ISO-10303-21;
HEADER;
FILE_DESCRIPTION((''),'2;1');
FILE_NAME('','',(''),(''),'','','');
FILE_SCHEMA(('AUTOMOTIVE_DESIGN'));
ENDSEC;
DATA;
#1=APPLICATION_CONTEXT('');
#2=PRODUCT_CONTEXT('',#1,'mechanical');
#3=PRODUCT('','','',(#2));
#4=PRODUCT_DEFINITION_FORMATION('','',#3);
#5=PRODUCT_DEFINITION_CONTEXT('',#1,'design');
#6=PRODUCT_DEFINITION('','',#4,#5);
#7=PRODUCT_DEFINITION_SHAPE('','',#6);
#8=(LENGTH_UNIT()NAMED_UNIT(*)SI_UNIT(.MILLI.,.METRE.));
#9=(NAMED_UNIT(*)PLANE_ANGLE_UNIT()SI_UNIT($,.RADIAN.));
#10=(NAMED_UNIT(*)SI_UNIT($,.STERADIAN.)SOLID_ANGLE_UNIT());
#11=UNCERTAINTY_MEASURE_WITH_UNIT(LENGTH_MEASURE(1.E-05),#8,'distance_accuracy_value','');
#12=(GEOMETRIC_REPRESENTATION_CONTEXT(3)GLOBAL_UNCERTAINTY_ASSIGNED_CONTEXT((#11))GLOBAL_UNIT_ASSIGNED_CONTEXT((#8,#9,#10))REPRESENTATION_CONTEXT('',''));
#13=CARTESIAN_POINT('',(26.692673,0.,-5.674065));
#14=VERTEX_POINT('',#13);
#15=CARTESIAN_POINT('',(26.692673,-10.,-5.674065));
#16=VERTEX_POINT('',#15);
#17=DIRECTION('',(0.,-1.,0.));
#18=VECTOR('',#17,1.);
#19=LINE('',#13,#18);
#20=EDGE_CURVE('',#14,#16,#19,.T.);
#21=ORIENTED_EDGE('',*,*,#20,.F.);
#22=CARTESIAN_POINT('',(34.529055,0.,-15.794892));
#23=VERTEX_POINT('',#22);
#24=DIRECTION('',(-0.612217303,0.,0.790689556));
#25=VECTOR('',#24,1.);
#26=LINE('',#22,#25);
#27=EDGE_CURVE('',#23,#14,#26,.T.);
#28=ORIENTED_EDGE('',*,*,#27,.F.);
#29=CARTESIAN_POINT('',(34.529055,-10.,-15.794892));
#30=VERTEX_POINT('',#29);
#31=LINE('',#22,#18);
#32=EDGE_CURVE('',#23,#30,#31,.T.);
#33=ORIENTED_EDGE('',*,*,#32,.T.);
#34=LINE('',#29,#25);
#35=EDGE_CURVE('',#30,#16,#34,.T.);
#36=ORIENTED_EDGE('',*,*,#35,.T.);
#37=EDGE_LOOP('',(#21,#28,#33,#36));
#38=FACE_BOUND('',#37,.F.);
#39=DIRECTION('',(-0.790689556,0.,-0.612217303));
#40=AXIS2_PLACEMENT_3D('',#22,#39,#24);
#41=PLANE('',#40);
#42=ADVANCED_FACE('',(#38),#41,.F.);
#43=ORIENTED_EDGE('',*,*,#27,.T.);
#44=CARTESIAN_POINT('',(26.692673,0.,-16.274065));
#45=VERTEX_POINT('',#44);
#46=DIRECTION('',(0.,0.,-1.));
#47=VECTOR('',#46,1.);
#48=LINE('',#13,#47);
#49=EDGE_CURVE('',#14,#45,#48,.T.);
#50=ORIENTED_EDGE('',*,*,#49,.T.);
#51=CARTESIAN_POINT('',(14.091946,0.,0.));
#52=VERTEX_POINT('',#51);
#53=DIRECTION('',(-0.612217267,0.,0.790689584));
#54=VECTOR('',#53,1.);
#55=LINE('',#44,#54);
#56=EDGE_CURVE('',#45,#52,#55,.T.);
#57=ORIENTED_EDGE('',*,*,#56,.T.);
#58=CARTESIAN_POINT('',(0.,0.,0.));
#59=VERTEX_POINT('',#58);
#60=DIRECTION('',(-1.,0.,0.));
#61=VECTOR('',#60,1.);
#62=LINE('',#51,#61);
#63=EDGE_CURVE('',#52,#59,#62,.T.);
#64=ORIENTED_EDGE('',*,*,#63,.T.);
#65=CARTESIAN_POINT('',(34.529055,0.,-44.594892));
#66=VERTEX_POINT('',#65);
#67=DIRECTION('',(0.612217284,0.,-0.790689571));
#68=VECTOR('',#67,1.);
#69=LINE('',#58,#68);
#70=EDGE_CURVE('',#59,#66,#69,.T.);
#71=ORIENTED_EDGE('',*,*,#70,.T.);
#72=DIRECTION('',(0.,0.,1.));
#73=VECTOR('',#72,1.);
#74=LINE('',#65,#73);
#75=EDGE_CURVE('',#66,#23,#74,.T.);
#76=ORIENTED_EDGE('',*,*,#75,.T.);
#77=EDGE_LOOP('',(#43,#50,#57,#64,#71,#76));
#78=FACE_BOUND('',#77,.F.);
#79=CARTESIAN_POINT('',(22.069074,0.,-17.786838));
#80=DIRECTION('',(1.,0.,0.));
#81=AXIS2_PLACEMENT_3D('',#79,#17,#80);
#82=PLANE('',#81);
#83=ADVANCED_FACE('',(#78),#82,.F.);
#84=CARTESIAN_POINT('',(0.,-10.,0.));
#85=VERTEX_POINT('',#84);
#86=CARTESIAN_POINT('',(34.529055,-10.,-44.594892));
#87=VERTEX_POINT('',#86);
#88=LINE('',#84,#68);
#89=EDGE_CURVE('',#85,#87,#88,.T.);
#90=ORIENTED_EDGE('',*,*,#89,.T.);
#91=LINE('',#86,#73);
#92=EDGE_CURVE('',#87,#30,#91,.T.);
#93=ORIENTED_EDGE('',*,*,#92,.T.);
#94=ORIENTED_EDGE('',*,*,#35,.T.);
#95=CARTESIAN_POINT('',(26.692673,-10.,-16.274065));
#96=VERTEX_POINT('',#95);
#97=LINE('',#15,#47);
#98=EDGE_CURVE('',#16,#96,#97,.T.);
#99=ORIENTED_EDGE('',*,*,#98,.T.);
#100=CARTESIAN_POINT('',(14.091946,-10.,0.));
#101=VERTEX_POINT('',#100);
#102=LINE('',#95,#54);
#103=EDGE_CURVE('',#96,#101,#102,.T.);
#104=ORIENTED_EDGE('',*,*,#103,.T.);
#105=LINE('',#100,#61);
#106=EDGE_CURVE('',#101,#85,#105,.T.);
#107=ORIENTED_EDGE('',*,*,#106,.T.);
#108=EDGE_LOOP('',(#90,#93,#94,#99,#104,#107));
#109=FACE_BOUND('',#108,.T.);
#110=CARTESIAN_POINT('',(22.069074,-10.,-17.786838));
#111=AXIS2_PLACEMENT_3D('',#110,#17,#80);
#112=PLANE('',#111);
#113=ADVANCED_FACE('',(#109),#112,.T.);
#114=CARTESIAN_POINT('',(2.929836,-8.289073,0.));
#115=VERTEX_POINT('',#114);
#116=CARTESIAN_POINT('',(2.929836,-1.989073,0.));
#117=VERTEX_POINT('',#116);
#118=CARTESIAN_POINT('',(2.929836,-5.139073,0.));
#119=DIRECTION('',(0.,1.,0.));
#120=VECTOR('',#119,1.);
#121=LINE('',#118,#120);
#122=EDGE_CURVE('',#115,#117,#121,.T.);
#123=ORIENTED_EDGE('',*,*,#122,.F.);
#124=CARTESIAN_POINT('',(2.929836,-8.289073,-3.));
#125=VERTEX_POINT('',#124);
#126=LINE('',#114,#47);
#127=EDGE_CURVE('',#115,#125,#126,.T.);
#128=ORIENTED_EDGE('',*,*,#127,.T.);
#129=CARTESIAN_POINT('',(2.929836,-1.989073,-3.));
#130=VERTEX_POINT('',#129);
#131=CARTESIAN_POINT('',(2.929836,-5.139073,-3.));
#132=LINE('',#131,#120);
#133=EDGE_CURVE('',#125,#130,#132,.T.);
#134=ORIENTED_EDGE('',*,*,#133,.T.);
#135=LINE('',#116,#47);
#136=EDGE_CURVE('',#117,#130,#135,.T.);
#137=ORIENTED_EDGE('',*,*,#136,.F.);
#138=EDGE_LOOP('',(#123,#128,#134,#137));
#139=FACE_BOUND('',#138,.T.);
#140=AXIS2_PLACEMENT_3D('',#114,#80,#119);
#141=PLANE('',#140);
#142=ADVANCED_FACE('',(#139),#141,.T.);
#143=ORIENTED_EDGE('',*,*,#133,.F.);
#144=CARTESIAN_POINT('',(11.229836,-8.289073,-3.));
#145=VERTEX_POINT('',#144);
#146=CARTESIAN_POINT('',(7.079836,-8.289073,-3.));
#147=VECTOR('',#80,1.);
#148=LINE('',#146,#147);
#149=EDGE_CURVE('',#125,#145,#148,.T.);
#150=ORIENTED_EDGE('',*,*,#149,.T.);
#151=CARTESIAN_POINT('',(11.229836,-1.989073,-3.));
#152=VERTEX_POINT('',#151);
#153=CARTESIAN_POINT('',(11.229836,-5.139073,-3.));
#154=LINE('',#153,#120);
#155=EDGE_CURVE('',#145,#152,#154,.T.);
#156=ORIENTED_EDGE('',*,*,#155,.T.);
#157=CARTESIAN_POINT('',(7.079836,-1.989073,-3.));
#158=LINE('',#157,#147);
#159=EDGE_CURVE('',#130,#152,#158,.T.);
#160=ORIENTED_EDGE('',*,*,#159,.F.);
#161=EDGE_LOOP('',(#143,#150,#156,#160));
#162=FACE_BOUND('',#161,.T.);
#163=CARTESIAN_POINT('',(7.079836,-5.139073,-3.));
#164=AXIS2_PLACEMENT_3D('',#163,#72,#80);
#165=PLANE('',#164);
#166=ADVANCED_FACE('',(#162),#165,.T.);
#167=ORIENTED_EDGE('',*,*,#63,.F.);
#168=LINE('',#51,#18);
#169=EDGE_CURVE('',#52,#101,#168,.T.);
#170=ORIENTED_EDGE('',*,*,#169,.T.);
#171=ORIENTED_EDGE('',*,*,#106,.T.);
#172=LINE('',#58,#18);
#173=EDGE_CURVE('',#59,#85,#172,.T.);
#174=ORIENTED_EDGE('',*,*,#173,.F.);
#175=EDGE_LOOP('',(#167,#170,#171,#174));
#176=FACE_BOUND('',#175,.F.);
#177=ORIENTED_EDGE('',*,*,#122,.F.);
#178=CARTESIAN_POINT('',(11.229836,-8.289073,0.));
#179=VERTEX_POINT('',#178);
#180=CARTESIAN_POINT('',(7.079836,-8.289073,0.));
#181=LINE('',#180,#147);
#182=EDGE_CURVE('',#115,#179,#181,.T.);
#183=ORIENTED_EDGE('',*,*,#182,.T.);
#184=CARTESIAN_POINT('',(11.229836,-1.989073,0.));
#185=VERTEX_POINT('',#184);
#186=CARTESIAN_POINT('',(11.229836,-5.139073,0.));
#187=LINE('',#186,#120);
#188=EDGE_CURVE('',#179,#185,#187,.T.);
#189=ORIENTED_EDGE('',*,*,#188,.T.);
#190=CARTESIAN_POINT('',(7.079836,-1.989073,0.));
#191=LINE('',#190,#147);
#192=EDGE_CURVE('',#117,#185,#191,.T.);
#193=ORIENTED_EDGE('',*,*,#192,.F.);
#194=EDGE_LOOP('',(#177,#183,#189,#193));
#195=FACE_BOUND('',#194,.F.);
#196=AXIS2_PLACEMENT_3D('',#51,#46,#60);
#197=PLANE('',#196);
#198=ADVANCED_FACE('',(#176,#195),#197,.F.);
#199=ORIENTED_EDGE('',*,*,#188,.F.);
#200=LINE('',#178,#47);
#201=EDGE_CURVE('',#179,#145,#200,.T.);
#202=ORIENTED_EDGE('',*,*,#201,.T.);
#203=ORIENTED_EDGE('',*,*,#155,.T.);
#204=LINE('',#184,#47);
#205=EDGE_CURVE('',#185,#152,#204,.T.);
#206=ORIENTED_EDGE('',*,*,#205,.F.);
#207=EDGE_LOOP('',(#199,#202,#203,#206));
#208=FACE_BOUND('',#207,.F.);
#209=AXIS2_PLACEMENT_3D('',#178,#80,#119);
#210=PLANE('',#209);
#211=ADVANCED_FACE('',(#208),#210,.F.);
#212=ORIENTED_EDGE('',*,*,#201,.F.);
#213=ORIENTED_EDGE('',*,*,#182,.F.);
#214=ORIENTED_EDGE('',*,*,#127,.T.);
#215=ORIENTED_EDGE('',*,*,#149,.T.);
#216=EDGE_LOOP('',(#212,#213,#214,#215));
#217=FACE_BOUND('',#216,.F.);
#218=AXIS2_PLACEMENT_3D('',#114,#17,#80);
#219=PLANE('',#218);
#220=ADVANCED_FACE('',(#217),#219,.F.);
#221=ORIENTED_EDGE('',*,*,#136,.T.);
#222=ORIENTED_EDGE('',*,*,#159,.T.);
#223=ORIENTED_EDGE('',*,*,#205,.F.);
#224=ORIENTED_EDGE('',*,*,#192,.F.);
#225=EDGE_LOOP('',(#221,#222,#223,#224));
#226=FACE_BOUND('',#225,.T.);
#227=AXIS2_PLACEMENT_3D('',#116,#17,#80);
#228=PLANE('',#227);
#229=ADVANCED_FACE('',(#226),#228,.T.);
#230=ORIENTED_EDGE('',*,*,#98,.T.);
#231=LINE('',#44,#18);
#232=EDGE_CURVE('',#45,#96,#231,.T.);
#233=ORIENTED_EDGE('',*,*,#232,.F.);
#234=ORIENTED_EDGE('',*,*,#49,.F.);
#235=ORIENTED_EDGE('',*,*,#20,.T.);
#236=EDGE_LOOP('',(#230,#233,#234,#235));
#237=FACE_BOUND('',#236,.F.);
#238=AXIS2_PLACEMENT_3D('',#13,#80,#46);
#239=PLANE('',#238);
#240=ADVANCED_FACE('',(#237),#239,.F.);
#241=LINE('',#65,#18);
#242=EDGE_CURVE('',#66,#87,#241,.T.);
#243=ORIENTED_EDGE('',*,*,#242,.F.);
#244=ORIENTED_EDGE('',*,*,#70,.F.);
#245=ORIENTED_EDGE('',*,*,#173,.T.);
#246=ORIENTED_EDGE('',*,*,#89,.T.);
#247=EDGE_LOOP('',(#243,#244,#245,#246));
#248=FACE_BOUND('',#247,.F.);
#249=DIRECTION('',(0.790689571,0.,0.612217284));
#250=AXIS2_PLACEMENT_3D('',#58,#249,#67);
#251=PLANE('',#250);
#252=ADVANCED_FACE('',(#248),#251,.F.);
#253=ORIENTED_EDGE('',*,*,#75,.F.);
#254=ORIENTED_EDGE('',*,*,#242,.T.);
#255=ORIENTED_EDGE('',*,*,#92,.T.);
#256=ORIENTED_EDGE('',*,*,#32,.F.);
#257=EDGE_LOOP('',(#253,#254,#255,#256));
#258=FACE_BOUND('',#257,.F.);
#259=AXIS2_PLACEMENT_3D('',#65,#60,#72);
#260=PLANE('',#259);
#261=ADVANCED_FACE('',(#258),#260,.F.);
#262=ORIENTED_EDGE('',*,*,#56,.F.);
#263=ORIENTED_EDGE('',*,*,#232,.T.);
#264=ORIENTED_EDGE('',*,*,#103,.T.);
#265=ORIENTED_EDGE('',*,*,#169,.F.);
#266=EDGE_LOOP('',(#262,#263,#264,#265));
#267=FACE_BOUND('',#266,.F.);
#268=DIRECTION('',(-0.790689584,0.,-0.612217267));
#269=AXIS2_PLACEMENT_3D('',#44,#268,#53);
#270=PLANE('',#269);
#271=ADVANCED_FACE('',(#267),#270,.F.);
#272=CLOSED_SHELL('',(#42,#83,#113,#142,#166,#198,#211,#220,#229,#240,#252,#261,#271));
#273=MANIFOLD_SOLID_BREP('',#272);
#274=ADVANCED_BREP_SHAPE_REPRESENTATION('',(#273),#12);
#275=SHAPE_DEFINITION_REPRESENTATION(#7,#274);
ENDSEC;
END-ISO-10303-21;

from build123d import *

# Parameters (mm, degrees)
F1_DEPTH = 10
F2_W     = 8.3
F2_H     = 6.3
F3_DEPTH = 3


with BuildPart() as f1:
    # F0 (on Front) → F1 (new body)
    with BuildSketch(Plane.XZ):
        Polygon((14.091946, 0), (0, 0), (34.529055, -44.594892), (34.529055, -15.794892), (26.692673, -5.674065), (26.692673, -16.274065), align=None)
    extrude(amount=F1_DEPTH)

    # F2 (on Top) → F3 (cut)
    with BuildSketch(Plane.XY):
        with Locations((7.079836, -5.139073)):
            Rectangle(F2_W, F2_H)
    extrude(amount=-F3_DEPTH, mode=Mode.SUBTRACT)


solid = f1.part
